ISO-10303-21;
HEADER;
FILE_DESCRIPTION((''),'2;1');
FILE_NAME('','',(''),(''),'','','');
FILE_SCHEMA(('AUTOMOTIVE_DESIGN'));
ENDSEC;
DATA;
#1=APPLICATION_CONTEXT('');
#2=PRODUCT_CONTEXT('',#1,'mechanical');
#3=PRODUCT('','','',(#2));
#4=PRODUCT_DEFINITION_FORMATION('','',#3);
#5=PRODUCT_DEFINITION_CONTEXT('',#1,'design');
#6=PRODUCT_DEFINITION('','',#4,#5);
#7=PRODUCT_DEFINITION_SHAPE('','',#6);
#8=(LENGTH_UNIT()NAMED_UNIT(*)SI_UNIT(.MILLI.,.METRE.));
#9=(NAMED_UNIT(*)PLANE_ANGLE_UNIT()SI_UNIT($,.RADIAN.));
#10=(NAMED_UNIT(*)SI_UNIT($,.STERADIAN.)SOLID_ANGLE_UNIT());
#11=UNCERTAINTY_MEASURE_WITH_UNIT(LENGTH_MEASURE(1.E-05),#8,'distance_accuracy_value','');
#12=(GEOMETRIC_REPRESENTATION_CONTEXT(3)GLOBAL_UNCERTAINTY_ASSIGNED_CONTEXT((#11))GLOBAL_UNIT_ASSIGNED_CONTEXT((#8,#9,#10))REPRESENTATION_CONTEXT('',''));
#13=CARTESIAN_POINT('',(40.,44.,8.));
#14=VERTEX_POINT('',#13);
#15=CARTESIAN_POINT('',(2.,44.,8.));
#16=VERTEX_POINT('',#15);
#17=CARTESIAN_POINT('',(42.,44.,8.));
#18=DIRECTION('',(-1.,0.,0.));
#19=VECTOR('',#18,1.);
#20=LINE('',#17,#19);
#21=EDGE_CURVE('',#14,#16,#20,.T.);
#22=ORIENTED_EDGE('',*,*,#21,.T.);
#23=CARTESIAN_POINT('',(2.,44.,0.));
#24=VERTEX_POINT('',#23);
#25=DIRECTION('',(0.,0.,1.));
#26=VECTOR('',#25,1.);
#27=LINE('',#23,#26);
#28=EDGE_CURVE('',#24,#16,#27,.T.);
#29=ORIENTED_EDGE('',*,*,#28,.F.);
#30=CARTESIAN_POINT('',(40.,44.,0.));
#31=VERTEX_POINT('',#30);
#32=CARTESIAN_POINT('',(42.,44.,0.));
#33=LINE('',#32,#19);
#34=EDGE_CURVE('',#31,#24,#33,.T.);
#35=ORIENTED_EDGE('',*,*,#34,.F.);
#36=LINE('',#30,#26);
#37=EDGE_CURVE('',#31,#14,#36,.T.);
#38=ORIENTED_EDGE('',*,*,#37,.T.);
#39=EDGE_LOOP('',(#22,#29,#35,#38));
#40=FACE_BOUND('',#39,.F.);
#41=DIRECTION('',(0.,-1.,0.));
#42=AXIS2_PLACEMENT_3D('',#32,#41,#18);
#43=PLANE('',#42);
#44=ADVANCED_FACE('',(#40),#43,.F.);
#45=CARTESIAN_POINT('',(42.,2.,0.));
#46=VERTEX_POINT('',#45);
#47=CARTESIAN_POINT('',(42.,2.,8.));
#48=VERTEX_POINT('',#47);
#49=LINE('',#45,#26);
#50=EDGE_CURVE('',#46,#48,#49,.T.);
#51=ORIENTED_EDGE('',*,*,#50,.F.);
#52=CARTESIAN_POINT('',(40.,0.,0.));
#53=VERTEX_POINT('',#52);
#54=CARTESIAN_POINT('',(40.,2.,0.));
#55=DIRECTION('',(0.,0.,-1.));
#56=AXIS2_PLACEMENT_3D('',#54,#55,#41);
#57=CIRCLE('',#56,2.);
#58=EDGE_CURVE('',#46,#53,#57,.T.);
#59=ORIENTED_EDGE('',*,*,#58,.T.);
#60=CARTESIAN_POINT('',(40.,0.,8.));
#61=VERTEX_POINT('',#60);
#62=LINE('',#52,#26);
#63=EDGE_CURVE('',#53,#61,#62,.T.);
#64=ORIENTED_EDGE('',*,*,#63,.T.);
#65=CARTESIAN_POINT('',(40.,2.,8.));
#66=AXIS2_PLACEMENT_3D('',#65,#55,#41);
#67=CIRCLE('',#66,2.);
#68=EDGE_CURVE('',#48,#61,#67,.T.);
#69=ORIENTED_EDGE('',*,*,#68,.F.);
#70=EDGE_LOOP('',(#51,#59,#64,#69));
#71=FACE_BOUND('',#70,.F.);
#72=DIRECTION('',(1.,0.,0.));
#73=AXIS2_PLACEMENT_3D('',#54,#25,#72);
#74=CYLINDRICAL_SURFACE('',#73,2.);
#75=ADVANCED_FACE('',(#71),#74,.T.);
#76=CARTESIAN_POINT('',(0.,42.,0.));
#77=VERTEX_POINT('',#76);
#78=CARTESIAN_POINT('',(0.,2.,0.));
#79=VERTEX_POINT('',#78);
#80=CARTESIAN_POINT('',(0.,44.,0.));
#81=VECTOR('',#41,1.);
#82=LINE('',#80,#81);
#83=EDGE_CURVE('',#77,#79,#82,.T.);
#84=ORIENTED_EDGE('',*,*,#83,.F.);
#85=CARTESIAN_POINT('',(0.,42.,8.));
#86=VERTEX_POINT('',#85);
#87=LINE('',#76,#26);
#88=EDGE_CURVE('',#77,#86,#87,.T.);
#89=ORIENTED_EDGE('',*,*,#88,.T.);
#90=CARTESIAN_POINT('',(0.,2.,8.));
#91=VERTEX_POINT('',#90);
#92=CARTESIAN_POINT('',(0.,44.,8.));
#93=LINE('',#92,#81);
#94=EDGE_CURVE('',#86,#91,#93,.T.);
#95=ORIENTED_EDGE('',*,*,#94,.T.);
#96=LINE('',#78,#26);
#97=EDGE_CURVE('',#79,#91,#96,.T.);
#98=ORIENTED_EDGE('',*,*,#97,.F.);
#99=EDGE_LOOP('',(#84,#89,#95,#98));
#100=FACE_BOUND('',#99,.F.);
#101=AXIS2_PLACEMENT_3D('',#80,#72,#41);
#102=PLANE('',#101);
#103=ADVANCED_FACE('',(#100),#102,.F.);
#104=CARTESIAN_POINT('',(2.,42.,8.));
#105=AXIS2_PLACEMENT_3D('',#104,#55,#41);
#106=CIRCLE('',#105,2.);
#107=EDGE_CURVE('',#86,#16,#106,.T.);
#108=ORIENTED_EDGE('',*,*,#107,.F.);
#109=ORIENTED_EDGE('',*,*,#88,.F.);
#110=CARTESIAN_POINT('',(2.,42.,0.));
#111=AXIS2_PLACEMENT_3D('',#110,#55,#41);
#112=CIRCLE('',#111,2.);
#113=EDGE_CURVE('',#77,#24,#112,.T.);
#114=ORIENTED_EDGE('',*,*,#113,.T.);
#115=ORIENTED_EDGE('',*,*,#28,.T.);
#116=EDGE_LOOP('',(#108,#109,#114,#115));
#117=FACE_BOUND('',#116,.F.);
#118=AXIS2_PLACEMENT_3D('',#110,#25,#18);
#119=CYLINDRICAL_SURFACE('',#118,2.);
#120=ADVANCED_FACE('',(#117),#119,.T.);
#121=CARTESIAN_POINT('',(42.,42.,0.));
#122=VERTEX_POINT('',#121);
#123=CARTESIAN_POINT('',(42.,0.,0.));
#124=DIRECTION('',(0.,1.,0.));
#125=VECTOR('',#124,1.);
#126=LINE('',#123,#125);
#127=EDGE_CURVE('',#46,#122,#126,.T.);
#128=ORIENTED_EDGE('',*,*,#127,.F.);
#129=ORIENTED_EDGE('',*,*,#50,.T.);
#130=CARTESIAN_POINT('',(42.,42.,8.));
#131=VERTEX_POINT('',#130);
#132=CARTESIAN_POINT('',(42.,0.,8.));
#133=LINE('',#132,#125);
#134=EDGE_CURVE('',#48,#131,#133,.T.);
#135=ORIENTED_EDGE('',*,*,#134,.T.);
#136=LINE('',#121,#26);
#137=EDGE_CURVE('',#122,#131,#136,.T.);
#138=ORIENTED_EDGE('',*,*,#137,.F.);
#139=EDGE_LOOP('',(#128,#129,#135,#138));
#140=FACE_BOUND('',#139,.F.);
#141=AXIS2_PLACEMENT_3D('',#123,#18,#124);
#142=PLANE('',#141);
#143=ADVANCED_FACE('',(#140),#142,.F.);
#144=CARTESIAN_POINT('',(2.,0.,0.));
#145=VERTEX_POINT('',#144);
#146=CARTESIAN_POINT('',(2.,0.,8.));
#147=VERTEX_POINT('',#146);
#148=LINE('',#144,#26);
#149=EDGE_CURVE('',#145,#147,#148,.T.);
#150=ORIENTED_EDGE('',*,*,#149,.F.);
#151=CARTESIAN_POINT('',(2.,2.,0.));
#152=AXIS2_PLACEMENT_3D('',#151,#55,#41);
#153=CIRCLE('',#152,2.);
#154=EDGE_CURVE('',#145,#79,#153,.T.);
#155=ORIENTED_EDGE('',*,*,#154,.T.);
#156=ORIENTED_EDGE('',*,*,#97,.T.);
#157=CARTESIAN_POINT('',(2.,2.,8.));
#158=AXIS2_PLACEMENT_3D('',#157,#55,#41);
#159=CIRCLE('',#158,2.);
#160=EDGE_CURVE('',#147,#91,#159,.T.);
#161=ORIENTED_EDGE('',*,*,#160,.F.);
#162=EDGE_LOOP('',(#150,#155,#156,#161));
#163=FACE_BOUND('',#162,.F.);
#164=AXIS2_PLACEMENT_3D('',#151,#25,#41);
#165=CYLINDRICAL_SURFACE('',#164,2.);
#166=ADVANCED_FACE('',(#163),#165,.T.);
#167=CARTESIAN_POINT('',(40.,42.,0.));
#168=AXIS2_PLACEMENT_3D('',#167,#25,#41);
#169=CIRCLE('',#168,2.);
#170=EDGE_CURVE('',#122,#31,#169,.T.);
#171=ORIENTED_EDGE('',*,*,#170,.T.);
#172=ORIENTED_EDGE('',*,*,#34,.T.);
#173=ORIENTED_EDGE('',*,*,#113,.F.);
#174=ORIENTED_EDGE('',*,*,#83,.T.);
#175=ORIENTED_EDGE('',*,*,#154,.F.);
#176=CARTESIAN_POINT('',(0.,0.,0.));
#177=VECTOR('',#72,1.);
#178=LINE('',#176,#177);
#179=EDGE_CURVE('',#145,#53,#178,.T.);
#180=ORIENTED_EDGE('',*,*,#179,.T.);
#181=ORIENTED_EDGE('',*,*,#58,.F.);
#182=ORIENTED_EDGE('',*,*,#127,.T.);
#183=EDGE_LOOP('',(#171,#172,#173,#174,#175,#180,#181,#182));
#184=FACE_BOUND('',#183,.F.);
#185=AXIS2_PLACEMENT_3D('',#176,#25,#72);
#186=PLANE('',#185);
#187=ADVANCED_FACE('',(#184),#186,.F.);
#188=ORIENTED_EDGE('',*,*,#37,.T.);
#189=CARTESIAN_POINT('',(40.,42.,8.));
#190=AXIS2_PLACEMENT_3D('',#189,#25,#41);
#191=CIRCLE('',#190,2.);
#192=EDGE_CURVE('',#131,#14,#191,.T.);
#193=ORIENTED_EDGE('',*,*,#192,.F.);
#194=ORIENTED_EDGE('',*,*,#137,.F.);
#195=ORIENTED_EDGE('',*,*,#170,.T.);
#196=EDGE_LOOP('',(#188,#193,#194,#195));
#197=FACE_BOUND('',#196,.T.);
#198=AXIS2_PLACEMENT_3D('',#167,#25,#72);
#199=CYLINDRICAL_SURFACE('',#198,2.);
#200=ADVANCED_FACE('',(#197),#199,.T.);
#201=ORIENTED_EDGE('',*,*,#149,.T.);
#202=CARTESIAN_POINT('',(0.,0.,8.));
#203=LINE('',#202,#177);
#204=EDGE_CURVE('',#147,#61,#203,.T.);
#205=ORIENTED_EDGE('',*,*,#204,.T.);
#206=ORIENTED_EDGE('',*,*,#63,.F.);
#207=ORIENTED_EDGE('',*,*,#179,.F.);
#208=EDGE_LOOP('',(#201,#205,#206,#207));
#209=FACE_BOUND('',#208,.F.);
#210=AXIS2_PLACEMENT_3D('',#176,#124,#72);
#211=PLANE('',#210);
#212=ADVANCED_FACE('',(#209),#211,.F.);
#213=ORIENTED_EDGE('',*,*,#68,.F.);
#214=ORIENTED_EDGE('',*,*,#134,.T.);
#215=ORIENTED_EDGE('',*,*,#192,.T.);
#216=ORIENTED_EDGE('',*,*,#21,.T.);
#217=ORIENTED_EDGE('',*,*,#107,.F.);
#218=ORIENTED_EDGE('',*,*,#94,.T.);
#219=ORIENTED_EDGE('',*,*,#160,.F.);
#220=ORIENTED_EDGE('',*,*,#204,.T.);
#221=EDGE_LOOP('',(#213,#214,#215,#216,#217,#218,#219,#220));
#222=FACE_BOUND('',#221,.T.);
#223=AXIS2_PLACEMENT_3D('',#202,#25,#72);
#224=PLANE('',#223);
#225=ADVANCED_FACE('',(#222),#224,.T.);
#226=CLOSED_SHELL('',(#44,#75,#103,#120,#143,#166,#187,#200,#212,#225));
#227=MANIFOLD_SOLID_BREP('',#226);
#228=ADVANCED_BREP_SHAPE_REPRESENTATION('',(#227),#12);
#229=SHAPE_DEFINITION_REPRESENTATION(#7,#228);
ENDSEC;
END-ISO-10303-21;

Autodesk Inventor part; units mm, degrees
ref_plane "YZ Plane" through (0, 0, 0) normal (1, 0, 0) x (0, 1, 0)
ref_plane "XZ Plane" through (0, 0, 0) normal (0, 1, 0) x (-1, 0, 0)
ref_plane "XY Plane" through (0, 0, 0) normal (0, 0, 1) x (1, 0, 0)
sketch "Sketch1" plane through (0, 0, 0) normal (0, 0, 1) x (1, 0, 0)
  line L0 (0, 0) -> (42, 0)
  line L1 (42, 0) -> (42, 44)
  line L2 (42, 44) -> (0, 44)
  line L3 (0, 44) -> (0, 0)
  dimension "d0" = 42
  dimension "d1" = 44
extrude "Extrusion1" add sketch "Sketch1" along normal blind 8
fillet "Fillet1" radius 2 1 edges at (42, 0, 4)
fillet "Fillet2" radius 2 1 edges at (42, 44, 4)
fillet "Fillet3" radius 2 1 edges at (0, 0, 4)
fillet "Fillet4" radius 2 1 edges at (0, 44, 4)
sketch "Sketch2" plane through (0, 0, 0) normal (0, 0, 1) x (1, 0, 0)
  point P0 (0, 0)
equation "\"d0\" = wallw"
equation "\"d1\" = wallh"
equation "\"d4\" = cornerrad"
equation "\"d5\" = cornerrad"
equation "\"d6\" = cornerrad"
equation "\"d7\" = cornerrad"
equation "\"printer3dtolerance\" = 0.1"
equation "\"wallw\" = 42"
equation "\"wallh\" = 44"
equation "\"cornerrad\" = 2"
equation "\"baseextra\" = 2"
equation "\"wall1_thick\" = 8"
equation "\"wall2_thick\" = 6.4"
equation "\"wall3_thick\" = 4"
equation "\"wall1slot\" = 8.1"
equation "\"wall2slot\" = 6.5"
equation "\"wall3slot\" = 4.1"
equation "\"gap2\" = 28"
equation "\"baseh\" = 79"
equation "\"basew\" = 44"
equation "\"base_thick\" = 6"
equation "\"base_slots_depth\" = 4"
equation "\"servosmallcircledia\" = 5.9"
equation "\"servomounth\" = 4"
equation "\"servobigcircledia\" = 11.6"
equation "\"servomountsquare\" = 4"
equation "\"distancefrombottom\" = 34"
equation "\"servopolygonr\" = 6.1"
equation "\"distancefromleft\" = 22"
equation "\"servo9gw\" = 22.8"
equation "\"servopolygonl\" = 5.9"
equation "\"wall3slotd\" = 2"
equation "\"adapterw\" = 32"
equation "\"wall3slotd_1\" = 2"
equation "\"wall3slotw\" = 36"
equation "\"adapterh\" = 16"
equation "\"armslotd\" = 2"
equation "\"armthick\" = 3"
equation "\"armw\" = 34"
equation "\"fanhs\" = 9.6"
equation "\"fanhb\" = 11"
equation "\"adapterwallslotd\" = 2"
equation "\"adapterwallthick\" = 6"
equation "\"hornscrewholed\" = 2"
equation "\"hornscrewheadd\" = 3"
equation "\"hornthick\" = 1.5"
equation "\"armhornthick\" = 3"
properties part number "wall-front" material "Wood (Oak)"
